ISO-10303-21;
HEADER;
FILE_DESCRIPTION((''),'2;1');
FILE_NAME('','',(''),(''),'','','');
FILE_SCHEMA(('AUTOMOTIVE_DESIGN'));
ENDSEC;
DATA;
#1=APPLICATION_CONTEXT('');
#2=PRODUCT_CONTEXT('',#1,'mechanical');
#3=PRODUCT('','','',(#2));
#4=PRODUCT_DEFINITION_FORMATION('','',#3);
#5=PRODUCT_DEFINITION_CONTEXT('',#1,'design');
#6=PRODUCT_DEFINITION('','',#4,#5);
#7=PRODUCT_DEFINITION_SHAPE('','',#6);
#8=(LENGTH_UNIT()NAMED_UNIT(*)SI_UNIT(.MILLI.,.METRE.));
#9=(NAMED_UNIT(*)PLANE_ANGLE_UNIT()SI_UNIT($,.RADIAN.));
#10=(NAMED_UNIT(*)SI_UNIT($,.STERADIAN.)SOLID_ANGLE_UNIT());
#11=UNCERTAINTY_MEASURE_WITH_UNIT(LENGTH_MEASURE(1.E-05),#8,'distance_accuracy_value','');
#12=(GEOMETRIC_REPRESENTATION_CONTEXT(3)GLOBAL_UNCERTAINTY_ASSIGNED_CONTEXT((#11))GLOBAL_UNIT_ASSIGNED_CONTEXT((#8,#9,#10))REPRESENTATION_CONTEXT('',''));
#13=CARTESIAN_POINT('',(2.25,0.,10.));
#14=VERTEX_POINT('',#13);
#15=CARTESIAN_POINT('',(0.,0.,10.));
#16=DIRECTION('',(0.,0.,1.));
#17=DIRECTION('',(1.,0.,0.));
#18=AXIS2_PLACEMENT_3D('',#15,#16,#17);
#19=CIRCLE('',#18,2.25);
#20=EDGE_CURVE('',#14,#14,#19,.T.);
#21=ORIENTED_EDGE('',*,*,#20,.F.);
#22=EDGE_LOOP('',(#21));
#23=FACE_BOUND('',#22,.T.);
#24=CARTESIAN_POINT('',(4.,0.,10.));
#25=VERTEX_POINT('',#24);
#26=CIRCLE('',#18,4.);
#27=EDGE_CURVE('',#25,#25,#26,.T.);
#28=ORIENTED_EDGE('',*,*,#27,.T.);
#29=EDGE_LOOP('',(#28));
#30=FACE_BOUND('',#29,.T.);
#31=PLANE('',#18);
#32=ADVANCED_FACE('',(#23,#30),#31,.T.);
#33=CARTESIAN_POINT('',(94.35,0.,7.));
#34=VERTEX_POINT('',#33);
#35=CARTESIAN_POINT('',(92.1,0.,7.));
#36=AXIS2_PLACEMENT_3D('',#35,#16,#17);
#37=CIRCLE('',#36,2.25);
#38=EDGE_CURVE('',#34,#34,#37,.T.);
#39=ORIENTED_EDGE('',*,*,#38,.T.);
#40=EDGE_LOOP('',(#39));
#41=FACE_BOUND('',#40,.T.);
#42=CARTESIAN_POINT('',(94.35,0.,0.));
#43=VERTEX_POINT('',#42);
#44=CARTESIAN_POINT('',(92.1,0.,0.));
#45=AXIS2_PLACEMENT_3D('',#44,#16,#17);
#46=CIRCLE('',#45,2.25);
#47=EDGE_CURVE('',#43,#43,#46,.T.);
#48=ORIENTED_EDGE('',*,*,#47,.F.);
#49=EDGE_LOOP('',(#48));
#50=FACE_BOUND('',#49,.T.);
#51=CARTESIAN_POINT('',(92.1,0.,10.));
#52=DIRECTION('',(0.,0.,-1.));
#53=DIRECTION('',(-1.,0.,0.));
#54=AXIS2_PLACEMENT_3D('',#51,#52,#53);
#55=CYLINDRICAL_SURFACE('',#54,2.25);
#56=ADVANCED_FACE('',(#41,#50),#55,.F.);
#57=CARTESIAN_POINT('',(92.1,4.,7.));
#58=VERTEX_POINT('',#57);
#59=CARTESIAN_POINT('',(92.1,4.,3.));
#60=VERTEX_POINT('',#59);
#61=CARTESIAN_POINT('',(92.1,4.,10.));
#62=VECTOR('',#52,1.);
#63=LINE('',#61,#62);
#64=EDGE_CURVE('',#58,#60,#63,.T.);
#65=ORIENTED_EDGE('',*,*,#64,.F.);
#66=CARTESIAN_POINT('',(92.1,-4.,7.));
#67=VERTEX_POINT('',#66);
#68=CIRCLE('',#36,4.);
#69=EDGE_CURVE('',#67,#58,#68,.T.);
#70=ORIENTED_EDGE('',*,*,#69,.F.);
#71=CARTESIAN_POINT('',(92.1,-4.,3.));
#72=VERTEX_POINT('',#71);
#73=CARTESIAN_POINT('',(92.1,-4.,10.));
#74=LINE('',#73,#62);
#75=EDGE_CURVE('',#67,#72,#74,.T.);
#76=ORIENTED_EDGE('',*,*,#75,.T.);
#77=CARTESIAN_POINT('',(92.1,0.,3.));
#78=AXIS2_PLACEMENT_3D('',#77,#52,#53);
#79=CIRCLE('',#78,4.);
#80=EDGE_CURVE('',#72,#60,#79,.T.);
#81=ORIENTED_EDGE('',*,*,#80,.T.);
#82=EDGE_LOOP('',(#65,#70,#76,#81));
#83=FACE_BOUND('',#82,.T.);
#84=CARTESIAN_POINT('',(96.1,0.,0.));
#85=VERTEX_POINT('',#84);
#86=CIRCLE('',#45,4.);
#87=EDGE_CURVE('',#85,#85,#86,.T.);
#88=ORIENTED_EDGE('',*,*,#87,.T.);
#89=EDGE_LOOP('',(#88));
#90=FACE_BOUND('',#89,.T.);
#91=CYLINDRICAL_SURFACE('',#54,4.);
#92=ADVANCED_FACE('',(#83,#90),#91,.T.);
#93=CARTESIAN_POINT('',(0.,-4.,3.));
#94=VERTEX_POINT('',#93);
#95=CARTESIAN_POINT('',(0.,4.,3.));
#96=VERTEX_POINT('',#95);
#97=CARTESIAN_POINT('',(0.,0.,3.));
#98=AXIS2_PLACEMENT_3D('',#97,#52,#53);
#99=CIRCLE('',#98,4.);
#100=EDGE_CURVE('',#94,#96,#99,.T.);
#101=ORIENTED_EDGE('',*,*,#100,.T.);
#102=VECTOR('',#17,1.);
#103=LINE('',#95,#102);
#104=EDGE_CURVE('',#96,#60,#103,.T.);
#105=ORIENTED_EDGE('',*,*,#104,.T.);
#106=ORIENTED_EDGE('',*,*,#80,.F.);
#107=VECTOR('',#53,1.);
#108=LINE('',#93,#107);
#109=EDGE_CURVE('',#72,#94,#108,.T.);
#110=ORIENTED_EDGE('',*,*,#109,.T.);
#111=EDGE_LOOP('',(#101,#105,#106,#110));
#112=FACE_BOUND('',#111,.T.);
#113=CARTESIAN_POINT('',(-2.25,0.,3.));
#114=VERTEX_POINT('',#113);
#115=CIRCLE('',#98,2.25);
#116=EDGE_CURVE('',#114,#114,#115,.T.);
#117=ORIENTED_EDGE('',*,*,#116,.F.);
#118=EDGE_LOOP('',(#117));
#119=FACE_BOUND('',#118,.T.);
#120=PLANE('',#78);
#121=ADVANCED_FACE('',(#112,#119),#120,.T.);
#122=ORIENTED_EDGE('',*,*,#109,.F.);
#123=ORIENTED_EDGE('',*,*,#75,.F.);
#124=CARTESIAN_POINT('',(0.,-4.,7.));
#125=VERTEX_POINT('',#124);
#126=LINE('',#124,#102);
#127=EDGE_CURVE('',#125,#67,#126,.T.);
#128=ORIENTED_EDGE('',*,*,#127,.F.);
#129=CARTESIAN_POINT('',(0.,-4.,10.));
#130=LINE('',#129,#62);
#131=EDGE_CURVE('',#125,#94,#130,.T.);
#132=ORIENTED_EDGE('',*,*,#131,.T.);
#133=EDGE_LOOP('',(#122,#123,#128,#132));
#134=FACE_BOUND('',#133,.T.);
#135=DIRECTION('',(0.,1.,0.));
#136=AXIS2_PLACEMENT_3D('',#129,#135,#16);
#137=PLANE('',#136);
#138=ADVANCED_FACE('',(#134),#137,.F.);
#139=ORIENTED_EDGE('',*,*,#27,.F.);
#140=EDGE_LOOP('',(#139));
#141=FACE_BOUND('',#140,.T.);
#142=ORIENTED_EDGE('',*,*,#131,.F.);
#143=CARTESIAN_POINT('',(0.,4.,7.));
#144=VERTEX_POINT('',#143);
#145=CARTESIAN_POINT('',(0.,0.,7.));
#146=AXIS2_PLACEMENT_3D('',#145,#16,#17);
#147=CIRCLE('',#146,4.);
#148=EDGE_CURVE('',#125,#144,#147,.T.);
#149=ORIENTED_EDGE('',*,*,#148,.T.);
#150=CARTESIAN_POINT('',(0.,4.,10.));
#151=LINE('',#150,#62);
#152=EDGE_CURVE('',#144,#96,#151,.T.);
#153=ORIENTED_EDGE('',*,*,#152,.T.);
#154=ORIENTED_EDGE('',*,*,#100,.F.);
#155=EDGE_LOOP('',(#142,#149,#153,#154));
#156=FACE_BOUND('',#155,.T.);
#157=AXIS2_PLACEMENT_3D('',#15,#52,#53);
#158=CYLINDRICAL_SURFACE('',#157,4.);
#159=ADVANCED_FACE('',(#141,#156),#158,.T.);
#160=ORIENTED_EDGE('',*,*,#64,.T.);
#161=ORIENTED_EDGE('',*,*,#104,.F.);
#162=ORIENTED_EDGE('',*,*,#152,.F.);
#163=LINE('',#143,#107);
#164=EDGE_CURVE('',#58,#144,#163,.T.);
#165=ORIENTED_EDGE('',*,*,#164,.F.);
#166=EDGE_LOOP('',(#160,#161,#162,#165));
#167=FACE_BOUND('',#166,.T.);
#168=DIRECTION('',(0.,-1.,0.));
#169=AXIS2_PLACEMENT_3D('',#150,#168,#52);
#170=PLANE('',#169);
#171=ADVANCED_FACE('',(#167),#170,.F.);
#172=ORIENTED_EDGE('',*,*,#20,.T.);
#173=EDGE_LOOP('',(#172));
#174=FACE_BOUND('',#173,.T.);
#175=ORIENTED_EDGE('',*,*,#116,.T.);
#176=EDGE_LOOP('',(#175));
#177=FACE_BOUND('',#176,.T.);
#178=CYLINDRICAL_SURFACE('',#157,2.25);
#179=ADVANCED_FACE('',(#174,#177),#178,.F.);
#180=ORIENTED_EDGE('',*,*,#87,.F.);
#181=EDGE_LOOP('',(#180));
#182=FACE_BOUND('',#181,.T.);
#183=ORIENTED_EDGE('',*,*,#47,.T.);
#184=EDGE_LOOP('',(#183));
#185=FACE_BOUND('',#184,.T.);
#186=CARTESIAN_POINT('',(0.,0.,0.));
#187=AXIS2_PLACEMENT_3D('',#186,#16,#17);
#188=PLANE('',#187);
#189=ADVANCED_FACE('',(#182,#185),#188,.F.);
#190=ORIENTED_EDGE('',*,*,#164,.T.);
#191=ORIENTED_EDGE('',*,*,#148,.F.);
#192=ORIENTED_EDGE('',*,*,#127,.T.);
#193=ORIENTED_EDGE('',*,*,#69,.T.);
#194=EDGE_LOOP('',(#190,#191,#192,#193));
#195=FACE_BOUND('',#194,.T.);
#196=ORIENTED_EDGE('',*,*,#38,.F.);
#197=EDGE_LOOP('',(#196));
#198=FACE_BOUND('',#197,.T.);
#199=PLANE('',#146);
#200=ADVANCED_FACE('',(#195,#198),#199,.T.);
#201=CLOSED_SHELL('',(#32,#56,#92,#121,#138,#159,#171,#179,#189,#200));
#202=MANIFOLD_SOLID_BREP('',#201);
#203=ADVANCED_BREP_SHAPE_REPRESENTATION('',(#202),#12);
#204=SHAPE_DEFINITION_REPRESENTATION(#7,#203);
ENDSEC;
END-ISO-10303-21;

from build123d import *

# Parameters (mm, degrees)
SKETCH2_R               = 2.25
BOSS_EXTRUDE1_DEPTH     = 10
CUT_EXTRUDE_THIN1_START = -3
SKETCH3_R               = 104
SKETCH3_R_2             = 4
CUT_EXTRUDE_THIN1_DEPTH = 3
SKETCH4_R               = 104
SKETCH4_R_2             = 4
CUT_EXTRUDE_THIN2_DEPTH = 3


with BuildPart() as part:
    # Sketch2 → Boss-Extrude1 (new body)
    with BuildSketch(Plane.XY):
        with BuildLine():
            Line((0, 4), (92.1, 4))
            ThreePointArc((92.1, 4), (96.1, 0), (92.1, -4))
            Line((92.1, -4), (0, -4))
            ThreePointArc((0, -4), (-4, 0), (0, 4))
        make_face()
        Circle(SKETCH2_R, mode=Mode.SUBTRACT)
        with Locations((92.1, 0)):
            Circle(SKETCH2_R, mode=Mode.SUBTRACT)
    extrude(amount=BOSS_EXTRUDE1_DEPTH)

    # Sketch3 → Cut-Extrude-Thin1 (cut)
    with BuildSketch(Plane.XY.offset(10).offset(CUT_EXTRUDE_THIN1_START)):
        Circle(SKETCH3_R)
        Circle(SKETCH3_R_2, mode=Mode.SUBTRACT)
    extrude(amount=CUT_EXTRUDE_THIN1_DEPTH, mode=Mode.SUBTRACT)

    # Sketch4 → Cut-Extrude-Thin2 (cut)
    with BuildSketch(Plane(origin=(0, 0, 0), x_dir=(-1, 0, 0), z_dir=(0, 0, -1))):
        with Locations((-92.1, 0)):
            Circle(SKETCH4_R)
        with Locations((-92.1, 0)):
            Circle(SKETCH4_R_2, mode=Mode.SUBTRACT)
    extrude(amount=-CUT_EXTRUDE_THIN2_DEPTH, mode=Mode.SUBTRACT)


solid = part.part
